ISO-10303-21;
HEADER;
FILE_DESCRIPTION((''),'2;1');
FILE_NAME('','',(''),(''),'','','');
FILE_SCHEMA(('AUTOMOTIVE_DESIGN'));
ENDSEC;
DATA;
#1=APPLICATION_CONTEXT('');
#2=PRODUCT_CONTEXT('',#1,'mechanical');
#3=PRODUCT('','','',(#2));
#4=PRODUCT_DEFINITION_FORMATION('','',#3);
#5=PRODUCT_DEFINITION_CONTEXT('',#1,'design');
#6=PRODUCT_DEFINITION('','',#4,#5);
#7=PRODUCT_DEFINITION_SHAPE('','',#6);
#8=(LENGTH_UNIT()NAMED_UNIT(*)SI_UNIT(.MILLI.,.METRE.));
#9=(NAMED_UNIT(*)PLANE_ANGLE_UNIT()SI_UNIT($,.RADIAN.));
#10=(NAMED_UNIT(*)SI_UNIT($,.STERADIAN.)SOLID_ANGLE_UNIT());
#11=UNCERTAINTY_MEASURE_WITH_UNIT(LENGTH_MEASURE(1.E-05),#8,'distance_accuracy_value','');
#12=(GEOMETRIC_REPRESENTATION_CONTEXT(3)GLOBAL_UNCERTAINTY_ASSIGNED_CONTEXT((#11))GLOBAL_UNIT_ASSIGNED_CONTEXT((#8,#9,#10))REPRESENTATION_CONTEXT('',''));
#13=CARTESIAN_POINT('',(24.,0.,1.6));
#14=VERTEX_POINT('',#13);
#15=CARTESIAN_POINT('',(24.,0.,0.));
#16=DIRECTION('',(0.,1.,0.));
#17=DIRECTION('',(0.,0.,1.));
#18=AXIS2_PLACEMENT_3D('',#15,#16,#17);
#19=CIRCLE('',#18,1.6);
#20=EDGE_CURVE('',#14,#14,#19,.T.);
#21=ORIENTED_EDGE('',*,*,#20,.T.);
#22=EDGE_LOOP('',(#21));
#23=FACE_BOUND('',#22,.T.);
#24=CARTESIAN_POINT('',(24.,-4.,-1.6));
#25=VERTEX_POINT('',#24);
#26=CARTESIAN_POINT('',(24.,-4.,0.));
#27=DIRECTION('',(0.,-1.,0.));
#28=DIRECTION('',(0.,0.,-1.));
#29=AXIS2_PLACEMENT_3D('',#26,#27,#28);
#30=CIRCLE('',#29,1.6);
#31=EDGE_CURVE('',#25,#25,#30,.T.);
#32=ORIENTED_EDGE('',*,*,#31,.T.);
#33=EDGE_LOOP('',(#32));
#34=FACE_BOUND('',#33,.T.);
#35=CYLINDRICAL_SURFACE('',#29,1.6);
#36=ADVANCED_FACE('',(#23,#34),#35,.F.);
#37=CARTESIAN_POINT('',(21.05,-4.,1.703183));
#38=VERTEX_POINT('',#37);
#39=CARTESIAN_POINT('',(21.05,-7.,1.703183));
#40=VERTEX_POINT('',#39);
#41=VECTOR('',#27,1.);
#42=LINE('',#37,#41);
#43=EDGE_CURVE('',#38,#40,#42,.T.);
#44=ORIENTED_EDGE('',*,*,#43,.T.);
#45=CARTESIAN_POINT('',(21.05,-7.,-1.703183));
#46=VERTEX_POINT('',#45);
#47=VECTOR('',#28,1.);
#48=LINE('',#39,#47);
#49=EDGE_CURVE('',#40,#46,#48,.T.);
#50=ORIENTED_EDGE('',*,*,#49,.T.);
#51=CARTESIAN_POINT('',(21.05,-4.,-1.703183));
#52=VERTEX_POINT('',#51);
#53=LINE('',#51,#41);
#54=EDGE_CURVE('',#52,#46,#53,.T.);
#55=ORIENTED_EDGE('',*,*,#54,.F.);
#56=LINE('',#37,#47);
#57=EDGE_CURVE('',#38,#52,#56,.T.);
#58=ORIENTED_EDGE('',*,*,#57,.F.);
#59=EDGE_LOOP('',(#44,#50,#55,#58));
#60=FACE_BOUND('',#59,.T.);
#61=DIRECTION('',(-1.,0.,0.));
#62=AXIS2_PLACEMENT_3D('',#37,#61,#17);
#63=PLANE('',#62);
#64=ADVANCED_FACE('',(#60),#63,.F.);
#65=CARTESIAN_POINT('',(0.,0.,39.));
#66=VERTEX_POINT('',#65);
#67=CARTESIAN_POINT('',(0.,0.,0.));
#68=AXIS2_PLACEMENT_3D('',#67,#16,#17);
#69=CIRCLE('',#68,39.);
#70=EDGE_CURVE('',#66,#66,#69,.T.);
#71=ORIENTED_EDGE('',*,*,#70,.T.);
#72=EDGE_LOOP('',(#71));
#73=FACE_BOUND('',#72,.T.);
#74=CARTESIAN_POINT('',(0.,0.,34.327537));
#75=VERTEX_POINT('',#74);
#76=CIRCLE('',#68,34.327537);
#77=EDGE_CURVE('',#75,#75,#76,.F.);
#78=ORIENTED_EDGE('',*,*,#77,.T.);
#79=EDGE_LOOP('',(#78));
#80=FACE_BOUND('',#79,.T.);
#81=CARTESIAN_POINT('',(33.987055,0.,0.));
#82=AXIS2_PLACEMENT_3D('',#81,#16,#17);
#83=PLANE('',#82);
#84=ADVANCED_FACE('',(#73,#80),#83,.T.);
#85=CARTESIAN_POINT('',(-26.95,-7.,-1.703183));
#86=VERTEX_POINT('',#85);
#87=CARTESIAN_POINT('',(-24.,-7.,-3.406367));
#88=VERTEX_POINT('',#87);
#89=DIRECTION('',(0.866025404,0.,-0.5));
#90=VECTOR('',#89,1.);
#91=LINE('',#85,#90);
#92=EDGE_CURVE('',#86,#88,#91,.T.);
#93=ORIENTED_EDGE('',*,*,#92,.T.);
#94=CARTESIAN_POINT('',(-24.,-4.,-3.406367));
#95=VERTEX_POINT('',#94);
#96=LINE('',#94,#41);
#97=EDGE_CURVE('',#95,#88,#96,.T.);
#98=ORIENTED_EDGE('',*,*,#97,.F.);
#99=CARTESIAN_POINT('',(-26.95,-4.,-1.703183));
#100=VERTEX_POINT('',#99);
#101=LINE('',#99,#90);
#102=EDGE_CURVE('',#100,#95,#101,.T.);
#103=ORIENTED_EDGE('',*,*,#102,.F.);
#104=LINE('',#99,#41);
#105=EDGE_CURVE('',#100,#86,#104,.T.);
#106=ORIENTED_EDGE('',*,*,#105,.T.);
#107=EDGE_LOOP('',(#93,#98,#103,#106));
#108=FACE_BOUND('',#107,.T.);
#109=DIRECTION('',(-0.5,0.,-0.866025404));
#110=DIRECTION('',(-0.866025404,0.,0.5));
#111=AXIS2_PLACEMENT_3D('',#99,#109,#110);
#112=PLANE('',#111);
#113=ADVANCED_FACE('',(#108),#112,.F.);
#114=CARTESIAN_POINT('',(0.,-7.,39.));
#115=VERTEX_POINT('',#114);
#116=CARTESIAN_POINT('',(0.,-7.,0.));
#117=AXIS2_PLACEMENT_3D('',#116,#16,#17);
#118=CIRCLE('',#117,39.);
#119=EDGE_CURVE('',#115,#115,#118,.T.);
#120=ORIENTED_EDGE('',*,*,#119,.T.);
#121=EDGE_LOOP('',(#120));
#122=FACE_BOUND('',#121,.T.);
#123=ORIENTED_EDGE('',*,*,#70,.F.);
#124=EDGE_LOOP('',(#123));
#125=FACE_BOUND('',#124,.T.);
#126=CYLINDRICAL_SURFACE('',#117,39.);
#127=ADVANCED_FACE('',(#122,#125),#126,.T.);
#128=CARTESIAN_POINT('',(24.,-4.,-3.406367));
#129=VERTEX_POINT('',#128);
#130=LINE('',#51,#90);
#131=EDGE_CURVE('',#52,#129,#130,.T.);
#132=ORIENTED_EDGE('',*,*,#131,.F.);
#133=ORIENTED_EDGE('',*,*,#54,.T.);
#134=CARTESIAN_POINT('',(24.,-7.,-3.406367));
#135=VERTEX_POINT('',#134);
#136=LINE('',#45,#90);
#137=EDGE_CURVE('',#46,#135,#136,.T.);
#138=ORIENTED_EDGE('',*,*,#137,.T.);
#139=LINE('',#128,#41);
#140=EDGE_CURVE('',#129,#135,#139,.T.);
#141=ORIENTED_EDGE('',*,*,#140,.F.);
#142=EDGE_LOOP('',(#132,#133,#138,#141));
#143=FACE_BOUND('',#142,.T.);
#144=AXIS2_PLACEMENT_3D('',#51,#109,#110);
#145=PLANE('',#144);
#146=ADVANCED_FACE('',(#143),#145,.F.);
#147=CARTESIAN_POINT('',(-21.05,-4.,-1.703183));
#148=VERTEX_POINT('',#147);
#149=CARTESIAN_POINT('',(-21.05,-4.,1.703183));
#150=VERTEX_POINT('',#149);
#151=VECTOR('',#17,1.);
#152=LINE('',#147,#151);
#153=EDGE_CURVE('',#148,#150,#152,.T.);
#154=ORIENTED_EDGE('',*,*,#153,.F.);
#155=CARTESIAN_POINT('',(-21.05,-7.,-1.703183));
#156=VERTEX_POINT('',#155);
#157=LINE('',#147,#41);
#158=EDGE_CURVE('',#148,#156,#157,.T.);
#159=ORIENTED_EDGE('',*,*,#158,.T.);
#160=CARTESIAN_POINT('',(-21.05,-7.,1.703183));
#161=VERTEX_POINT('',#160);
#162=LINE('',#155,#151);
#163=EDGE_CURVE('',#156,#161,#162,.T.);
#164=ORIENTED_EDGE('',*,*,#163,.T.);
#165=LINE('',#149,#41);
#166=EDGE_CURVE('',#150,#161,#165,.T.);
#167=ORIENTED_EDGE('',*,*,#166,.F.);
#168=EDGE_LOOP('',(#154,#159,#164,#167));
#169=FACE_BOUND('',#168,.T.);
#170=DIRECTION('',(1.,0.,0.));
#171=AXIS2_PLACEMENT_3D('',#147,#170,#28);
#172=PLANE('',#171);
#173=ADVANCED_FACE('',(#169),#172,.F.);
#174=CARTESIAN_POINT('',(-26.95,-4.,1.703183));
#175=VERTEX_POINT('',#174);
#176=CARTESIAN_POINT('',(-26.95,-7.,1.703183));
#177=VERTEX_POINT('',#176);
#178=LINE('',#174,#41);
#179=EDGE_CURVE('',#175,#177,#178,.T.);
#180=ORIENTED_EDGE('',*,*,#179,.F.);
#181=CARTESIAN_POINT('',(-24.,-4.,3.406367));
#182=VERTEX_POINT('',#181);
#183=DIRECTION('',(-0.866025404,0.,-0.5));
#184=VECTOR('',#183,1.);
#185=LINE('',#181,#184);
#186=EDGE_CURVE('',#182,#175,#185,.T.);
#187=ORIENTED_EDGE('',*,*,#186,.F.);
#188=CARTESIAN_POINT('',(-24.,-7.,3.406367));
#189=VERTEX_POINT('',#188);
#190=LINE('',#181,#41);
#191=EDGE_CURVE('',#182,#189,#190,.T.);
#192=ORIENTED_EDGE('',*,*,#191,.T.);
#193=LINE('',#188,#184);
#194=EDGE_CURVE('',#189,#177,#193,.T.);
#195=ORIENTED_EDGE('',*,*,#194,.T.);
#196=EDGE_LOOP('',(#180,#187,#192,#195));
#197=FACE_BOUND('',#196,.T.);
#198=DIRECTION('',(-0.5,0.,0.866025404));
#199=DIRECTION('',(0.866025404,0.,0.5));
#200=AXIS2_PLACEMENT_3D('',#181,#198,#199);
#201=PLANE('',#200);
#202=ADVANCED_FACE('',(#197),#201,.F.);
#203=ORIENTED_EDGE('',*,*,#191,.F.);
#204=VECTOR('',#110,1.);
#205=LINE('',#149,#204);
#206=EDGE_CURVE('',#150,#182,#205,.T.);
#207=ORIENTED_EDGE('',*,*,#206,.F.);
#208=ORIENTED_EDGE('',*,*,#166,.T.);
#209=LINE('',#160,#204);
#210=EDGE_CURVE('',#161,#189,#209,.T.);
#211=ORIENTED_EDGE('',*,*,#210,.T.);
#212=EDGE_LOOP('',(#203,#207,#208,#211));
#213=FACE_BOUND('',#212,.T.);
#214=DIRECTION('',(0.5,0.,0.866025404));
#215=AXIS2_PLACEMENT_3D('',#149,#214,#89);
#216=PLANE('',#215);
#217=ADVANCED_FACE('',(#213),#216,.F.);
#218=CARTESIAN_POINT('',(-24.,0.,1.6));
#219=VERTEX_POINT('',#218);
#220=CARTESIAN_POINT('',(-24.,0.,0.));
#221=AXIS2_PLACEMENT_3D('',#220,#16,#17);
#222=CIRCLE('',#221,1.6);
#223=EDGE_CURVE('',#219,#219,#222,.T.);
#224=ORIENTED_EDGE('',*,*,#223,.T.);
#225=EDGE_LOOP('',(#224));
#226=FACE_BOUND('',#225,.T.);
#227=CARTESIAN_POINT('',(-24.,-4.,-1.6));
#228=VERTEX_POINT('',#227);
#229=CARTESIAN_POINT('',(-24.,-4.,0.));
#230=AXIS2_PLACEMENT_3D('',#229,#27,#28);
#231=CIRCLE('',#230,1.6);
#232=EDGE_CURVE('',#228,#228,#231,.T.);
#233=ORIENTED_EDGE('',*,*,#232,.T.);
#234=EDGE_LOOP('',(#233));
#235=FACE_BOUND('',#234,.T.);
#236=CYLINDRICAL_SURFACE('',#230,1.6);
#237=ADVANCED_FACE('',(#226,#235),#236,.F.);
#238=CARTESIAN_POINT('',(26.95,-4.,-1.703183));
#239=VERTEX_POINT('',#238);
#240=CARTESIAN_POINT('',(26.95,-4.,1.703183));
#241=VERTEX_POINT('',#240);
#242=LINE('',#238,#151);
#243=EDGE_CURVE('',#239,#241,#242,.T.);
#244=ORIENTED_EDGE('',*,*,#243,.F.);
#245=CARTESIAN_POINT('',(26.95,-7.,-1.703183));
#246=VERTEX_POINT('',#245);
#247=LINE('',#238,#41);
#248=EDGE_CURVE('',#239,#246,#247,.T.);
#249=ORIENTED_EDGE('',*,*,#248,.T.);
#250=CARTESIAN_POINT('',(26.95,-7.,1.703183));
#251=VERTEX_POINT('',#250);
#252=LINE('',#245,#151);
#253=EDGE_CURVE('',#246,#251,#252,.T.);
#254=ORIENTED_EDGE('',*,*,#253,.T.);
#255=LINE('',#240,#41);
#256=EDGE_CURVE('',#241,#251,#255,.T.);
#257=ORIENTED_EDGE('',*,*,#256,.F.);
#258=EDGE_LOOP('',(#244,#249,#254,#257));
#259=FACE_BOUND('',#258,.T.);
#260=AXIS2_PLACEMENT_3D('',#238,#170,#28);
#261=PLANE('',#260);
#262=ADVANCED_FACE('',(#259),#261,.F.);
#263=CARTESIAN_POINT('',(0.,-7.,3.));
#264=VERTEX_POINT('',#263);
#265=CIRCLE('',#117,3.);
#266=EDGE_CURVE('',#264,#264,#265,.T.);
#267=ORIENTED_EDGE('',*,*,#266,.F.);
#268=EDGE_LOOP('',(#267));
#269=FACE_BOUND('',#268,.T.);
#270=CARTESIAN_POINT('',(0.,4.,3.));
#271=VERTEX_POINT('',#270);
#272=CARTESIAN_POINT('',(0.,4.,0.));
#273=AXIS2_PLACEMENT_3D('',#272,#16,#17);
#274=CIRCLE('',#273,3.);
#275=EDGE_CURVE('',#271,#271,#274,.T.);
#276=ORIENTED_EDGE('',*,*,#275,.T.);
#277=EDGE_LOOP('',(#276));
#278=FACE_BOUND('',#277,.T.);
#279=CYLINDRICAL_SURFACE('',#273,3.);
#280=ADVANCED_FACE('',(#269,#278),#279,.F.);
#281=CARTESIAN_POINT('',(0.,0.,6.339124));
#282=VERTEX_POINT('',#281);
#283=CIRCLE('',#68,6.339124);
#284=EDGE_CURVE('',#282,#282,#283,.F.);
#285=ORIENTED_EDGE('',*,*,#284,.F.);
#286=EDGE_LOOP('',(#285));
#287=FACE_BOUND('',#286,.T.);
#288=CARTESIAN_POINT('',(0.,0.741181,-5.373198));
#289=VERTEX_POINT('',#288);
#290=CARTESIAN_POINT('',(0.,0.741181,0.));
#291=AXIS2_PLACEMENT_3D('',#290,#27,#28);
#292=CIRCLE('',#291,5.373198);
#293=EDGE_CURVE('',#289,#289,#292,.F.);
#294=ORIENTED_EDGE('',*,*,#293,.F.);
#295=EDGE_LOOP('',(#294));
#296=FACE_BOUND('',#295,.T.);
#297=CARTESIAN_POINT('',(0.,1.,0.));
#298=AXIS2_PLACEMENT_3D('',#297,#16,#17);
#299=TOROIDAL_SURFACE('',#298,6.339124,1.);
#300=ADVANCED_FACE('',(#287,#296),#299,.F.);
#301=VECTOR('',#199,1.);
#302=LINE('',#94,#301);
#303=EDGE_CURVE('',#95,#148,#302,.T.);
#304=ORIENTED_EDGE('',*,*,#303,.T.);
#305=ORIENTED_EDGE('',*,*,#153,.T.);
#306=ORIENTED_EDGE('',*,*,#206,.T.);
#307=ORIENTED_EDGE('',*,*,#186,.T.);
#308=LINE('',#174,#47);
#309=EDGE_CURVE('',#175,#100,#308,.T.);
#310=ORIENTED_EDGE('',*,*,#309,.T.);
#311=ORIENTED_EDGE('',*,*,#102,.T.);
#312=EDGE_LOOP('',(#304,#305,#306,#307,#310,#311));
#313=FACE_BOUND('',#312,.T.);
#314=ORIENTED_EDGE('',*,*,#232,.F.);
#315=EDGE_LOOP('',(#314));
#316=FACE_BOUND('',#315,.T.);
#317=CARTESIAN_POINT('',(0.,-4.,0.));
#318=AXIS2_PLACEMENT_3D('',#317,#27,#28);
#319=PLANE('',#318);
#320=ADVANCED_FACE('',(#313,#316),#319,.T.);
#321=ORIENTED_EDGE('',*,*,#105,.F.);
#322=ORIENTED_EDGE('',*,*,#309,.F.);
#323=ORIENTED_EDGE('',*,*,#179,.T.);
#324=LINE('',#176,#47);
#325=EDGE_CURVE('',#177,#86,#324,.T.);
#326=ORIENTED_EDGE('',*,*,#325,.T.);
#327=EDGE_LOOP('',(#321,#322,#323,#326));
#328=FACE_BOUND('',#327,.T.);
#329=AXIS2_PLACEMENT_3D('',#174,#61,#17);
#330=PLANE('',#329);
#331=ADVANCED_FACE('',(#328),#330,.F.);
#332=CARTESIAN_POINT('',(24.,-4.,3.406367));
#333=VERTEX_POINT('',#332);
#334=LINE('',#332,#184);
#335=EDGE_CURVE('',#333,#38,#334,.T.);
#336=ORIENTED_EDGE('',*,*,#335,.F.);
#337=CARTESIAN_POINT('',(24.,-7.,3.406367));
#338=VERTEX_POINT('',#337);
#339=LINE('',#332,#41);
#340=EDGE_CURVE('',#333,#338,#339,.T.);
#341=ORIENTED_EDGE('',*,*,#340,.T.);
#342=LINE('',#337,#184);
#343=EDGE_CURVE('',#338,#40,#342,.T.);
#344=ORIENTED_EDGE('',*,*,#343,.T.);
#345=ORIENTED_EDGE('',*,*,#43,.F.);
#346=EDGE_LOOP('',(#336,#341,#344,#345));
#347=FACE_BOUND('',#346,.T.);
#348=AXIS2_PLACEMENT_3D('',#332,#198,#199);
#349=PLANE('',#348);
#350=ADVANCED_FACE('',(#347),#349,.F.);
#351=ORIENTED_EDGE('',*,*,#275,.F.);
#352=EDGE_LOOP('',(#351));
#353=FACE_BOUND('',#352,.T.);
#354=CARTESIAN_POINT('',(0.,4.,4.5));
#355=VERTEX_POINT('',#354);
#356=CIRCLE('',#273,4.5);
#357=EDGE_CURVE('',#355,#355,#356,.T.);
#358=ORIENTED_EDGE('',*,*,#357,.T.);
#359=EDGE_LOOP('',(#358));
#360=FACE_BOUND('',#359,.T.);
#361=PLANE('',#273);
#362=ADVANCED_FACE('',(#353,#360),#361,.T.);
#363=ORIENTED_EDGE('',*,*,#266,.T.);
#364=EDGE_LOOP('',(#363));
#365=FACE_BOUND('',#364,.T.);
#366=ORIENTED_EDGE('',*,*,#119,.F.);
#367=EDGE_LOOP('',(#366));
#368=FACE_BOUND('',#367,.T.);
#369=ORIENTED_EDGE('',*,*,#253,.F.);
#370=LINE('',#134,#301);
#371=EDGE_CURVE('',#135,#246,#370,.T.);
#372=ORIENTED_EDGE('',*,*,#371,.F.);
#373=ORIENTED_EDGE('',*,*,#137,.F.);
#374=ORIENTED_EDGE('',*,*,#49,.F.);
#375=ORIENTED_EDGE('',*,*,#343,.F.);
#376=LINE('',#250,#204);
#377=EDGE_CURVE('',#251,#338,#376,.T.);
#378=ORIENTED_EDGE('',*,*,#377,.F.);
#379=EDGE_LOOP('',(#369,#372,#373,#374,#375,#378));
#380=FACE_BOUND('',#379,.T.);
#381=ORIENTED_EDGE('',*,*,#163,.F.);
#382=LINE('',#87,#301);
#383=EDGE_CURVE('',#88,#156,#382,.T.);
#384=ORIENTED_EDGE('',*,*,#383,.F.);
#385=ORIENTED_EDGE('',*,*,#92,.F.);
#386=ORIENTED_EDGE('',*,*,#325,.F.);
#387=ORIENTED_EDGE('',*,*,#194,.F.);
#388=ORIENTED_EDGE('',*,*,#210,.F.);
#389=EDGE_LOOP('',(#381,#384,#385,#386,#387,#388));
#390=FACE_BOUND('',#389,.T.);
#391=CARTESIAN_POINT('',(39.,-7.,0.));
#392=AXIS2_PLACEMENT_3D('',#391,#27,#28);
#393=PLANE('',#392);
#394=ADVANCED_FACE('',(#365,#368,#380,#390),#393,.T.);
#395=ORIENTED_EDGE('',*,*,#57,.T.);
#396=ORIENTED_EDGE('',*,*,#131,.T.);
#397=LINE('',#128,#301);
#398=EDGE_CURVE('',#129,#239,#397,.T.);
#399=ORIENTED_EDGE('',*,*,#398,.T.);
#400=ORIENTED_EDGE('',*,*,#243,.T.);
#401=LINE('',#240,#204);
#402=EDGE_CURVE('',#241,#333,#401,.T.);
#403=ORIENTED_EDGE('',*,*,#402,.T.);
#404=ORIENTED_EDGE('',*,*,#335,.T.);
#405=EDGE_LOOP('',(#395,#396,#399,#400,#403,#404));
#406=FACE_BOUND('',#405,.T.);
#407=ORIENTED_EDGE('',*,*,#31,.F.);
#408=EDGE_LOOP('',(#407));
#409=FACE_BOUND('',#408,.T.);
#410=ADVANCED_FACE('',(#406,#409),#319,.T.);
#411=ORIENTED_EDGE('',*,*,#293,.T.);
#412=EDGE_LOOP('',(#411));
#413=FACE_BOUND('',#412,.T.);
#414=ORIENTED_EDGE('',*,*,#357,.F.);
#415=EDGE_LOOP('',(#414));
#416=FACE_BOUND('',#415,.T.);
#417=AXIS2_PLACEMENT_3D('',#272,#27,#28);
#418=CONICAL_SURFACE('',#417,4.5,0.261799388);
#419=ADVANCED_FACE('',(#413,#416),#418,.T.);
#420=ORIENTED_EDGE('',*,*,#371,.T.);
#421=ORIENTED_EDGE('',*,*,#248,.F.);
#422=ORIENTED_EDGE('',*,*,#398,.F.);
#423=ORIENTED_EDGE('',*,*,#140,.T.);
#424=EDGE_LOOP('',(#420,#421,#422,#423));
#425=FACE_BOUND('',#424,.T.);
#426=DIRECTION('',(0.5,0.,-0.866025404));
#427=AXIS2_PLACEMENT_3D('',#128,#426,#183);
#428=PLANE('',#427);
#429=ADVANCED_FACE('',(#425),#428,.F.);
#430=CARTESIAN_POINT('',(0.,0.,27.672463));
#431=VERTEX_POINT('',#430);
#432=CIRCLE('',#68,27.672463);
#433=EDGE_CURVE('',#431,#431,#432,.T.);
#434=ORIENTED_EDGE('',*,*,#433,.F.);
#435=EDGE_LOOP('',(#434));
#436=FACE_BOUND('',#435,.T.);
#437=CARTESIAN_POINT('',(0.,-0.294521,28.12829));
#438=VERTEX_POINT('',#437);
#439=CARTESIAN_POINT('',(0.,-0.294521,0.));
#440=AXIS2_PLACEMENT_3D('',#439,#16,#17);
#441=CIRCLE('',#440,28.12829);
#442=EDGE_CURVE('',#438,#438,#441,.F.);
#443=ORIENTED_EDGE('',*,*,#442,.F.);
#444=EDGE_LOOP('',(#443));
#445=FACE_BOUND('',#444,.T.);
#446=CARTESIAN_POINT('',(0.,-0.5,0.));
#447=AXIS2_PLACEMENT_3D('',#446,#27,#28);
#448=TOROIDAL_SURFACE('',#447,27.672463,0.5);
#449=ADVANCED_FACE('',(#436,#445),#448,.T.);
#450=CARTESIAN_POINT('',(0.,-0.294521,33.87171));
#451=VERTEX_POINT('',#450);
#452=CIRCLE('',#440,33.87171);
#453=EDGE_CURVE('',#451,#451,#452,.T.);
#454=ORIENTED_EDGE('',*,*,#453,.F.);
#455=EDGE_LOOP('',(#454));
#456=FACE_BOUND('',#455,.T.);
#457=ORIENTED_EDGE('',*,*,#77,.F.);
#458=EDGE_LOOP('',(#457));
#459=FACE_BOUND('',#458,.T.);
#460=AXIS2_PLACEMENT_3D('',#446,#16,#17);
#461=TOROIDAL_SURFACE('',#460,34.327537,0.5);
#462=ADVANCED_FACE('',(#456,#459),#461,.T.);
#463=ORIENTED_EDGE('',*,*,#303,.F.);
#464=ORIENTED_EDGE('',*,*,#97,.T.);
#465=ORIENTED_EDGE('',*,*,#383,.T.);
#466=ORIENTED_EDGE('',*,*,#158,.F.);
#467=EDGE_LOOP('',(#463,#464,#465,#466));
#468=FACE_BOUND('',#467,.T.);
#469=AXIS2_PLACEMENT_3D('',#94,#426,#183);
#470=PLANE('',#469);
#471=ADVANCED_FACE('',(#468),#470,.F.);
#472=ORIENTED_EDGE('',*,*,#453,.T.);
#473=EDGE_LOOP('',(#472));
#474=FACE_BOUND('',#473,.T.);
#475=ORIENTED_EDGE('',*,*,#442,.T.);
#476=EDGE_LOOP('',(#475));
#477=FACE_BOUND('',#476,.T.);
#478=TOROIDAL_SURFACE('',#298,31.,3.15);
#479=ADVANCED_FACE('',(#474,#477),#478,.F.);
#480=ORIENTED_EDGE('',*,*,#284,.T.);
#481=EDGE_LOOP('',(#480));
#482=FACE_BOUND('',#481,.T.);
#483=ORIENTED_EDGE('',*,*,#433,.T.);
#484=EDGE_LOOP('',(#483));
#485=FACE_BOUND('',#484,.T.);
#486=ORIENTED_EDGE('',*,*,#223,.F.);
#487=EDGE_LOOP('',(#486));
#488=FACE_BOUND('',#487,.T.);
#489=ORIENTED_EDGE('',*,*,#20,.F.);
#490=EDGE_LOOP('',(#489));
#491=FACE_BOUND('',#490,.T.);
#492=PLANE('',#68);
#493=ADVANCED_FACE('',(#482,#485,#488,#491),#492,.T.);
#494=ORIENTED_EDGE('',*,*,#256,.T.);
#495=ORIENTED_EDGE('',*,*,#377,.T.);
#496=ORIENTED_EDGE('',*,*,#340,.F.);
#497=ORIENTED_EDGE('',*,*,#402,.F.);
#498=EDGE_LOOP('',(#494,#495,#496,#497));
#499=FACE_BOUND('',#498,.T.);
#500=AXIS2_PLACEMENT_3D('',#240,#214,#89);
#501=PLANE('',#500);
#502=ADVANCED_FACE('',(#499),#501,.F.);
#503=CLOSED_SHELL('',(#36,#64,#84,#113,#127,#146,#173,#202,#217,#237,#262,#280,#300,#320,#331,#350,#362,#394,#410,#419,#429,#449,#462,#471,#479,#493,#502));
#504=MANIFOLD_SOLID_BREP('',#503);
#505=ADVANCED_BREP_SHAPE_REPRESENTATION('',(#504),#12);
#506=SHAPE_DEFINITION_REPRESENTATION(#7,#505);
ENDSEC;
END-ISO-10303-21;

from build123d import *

# Parameters (mm, degrees)
CUT_EXTRUDE26_DEPTH            = 3
CUT_EXTRUDE27_DEPTH            = 3
F_6_0_6_DIAMETER_HOLE1_D       = 6
F_3_2_3_2_DIAMETER_HOLE1_D     = 3.2
F_3_2_3_2_DIAMETER_HOLE1_DEPTH = 8
FILLET2_R                      = 0.5
FILLET3_R                      = 1


with BuildPart() as part:
    # Sketch1 → Revolve1 (revolve)
    with BuildSketch(Plane(origin=(0, 0, 0), x_dir=(-1, 0, 0), z_dir=(0, 0, -1))):
        with BuildLine():
            Line((-39, -7), (0, -7))
            Line((0, -7), (0, 0))
            Line((0, 0), (-28.012944594, 0))
            ThreePointArc((-28.012944594, 0), (-31, -2.15), (-33.987055406, 0))
            Line((-33.987055406, 0), (-39, 0))
            Line((-39, 0), (-39, -7))
        make_face()
    revolve(axis=Axis((0, -7, 0), (0, 1, 0)))

    # Sketch27 → Cut-Extrude26 (cut)
    with BuildSketch(Plane.XZ.offset(7)):
        Polygon((26.95, -1.703183294), (26.95, 1.703183294), (24, 3.406366588), (21.05, 1.703183294), (21.05, -1.703183294), (24, -3.406366588), align=None)
    extrude(amount=-CUT_EXTRUDE26_DEPTH, mode=Mode.SUBTRACT)

    # Sketch28 → Cut-Extrude27 (cut)
    with BuildSketch(Plane.XZ.offset(7)):
        Polygon((-21.05, 1.703183294), (-24, 3.406366588), (-26.95, 1.703183294), (-26.95, -1.703183294), (-24, -3.406366588), (-21.05, -1.703183294), align=None)
    extrude(amount=-CUT_EXTRUDE27_DEPTH, mode=Mode.SUBTRACT)

    # Sketch29 → Revolve2 (revolve)
    with BuildSketch(Plane(origin=(0, 0, 0), x_dir=(-1, 0, 0), z_dir=(0, 0, -1))):
        Polygon((-5.57179677, 0), (0, 0), (0, 4), (-4.5, 4), align=None)
    revolve(axis=Axis((0, 0, 0), (0, 1, 0)))

    # Ø6.0 (6) Diameter Hole1 (through all)
    with Locations(Plane(origin=(0, 4, 0), x_dir=(1, 0, 0), z_dir=(0, 1, 0))):
        with Locations((0, 0)):
            Hole(F_6_0_6_DIAMETER_HOLE1_D / 2)

    # Ø3.2 (3.2) Diameter Hole1
    with Locations(Plane(origin=(0, -4, 0), x_dir=(-1, 0, 0), z_dir=(0, -1, 0))):
        with Locations((24, 0), (-24, 0)):
            Hole(F_3_2_3_2_DIAMETER_HOLE1_D / 2, depth=F_3_2_3_2_DIAMETER_HOLE1_DEPTH)

    # Fillet2
    fillet2_edges = [part.edges().sort_by_distance(p)[0] for p in [
        (-33.987055406, 0, 0),
        (-28.012944594, 0, 0),
    ]]
    fillet(fillet2_edges, radius=FILLET2_R)

    # Fillet3
    fillet3_edges = [part.edges().sort_by_distance(p)[0] for p in [
        (-5.57179677, 0, 0),
    ]]
    fillet(fillet3_edges, radius=FILLET3_R)


solid = part.part
